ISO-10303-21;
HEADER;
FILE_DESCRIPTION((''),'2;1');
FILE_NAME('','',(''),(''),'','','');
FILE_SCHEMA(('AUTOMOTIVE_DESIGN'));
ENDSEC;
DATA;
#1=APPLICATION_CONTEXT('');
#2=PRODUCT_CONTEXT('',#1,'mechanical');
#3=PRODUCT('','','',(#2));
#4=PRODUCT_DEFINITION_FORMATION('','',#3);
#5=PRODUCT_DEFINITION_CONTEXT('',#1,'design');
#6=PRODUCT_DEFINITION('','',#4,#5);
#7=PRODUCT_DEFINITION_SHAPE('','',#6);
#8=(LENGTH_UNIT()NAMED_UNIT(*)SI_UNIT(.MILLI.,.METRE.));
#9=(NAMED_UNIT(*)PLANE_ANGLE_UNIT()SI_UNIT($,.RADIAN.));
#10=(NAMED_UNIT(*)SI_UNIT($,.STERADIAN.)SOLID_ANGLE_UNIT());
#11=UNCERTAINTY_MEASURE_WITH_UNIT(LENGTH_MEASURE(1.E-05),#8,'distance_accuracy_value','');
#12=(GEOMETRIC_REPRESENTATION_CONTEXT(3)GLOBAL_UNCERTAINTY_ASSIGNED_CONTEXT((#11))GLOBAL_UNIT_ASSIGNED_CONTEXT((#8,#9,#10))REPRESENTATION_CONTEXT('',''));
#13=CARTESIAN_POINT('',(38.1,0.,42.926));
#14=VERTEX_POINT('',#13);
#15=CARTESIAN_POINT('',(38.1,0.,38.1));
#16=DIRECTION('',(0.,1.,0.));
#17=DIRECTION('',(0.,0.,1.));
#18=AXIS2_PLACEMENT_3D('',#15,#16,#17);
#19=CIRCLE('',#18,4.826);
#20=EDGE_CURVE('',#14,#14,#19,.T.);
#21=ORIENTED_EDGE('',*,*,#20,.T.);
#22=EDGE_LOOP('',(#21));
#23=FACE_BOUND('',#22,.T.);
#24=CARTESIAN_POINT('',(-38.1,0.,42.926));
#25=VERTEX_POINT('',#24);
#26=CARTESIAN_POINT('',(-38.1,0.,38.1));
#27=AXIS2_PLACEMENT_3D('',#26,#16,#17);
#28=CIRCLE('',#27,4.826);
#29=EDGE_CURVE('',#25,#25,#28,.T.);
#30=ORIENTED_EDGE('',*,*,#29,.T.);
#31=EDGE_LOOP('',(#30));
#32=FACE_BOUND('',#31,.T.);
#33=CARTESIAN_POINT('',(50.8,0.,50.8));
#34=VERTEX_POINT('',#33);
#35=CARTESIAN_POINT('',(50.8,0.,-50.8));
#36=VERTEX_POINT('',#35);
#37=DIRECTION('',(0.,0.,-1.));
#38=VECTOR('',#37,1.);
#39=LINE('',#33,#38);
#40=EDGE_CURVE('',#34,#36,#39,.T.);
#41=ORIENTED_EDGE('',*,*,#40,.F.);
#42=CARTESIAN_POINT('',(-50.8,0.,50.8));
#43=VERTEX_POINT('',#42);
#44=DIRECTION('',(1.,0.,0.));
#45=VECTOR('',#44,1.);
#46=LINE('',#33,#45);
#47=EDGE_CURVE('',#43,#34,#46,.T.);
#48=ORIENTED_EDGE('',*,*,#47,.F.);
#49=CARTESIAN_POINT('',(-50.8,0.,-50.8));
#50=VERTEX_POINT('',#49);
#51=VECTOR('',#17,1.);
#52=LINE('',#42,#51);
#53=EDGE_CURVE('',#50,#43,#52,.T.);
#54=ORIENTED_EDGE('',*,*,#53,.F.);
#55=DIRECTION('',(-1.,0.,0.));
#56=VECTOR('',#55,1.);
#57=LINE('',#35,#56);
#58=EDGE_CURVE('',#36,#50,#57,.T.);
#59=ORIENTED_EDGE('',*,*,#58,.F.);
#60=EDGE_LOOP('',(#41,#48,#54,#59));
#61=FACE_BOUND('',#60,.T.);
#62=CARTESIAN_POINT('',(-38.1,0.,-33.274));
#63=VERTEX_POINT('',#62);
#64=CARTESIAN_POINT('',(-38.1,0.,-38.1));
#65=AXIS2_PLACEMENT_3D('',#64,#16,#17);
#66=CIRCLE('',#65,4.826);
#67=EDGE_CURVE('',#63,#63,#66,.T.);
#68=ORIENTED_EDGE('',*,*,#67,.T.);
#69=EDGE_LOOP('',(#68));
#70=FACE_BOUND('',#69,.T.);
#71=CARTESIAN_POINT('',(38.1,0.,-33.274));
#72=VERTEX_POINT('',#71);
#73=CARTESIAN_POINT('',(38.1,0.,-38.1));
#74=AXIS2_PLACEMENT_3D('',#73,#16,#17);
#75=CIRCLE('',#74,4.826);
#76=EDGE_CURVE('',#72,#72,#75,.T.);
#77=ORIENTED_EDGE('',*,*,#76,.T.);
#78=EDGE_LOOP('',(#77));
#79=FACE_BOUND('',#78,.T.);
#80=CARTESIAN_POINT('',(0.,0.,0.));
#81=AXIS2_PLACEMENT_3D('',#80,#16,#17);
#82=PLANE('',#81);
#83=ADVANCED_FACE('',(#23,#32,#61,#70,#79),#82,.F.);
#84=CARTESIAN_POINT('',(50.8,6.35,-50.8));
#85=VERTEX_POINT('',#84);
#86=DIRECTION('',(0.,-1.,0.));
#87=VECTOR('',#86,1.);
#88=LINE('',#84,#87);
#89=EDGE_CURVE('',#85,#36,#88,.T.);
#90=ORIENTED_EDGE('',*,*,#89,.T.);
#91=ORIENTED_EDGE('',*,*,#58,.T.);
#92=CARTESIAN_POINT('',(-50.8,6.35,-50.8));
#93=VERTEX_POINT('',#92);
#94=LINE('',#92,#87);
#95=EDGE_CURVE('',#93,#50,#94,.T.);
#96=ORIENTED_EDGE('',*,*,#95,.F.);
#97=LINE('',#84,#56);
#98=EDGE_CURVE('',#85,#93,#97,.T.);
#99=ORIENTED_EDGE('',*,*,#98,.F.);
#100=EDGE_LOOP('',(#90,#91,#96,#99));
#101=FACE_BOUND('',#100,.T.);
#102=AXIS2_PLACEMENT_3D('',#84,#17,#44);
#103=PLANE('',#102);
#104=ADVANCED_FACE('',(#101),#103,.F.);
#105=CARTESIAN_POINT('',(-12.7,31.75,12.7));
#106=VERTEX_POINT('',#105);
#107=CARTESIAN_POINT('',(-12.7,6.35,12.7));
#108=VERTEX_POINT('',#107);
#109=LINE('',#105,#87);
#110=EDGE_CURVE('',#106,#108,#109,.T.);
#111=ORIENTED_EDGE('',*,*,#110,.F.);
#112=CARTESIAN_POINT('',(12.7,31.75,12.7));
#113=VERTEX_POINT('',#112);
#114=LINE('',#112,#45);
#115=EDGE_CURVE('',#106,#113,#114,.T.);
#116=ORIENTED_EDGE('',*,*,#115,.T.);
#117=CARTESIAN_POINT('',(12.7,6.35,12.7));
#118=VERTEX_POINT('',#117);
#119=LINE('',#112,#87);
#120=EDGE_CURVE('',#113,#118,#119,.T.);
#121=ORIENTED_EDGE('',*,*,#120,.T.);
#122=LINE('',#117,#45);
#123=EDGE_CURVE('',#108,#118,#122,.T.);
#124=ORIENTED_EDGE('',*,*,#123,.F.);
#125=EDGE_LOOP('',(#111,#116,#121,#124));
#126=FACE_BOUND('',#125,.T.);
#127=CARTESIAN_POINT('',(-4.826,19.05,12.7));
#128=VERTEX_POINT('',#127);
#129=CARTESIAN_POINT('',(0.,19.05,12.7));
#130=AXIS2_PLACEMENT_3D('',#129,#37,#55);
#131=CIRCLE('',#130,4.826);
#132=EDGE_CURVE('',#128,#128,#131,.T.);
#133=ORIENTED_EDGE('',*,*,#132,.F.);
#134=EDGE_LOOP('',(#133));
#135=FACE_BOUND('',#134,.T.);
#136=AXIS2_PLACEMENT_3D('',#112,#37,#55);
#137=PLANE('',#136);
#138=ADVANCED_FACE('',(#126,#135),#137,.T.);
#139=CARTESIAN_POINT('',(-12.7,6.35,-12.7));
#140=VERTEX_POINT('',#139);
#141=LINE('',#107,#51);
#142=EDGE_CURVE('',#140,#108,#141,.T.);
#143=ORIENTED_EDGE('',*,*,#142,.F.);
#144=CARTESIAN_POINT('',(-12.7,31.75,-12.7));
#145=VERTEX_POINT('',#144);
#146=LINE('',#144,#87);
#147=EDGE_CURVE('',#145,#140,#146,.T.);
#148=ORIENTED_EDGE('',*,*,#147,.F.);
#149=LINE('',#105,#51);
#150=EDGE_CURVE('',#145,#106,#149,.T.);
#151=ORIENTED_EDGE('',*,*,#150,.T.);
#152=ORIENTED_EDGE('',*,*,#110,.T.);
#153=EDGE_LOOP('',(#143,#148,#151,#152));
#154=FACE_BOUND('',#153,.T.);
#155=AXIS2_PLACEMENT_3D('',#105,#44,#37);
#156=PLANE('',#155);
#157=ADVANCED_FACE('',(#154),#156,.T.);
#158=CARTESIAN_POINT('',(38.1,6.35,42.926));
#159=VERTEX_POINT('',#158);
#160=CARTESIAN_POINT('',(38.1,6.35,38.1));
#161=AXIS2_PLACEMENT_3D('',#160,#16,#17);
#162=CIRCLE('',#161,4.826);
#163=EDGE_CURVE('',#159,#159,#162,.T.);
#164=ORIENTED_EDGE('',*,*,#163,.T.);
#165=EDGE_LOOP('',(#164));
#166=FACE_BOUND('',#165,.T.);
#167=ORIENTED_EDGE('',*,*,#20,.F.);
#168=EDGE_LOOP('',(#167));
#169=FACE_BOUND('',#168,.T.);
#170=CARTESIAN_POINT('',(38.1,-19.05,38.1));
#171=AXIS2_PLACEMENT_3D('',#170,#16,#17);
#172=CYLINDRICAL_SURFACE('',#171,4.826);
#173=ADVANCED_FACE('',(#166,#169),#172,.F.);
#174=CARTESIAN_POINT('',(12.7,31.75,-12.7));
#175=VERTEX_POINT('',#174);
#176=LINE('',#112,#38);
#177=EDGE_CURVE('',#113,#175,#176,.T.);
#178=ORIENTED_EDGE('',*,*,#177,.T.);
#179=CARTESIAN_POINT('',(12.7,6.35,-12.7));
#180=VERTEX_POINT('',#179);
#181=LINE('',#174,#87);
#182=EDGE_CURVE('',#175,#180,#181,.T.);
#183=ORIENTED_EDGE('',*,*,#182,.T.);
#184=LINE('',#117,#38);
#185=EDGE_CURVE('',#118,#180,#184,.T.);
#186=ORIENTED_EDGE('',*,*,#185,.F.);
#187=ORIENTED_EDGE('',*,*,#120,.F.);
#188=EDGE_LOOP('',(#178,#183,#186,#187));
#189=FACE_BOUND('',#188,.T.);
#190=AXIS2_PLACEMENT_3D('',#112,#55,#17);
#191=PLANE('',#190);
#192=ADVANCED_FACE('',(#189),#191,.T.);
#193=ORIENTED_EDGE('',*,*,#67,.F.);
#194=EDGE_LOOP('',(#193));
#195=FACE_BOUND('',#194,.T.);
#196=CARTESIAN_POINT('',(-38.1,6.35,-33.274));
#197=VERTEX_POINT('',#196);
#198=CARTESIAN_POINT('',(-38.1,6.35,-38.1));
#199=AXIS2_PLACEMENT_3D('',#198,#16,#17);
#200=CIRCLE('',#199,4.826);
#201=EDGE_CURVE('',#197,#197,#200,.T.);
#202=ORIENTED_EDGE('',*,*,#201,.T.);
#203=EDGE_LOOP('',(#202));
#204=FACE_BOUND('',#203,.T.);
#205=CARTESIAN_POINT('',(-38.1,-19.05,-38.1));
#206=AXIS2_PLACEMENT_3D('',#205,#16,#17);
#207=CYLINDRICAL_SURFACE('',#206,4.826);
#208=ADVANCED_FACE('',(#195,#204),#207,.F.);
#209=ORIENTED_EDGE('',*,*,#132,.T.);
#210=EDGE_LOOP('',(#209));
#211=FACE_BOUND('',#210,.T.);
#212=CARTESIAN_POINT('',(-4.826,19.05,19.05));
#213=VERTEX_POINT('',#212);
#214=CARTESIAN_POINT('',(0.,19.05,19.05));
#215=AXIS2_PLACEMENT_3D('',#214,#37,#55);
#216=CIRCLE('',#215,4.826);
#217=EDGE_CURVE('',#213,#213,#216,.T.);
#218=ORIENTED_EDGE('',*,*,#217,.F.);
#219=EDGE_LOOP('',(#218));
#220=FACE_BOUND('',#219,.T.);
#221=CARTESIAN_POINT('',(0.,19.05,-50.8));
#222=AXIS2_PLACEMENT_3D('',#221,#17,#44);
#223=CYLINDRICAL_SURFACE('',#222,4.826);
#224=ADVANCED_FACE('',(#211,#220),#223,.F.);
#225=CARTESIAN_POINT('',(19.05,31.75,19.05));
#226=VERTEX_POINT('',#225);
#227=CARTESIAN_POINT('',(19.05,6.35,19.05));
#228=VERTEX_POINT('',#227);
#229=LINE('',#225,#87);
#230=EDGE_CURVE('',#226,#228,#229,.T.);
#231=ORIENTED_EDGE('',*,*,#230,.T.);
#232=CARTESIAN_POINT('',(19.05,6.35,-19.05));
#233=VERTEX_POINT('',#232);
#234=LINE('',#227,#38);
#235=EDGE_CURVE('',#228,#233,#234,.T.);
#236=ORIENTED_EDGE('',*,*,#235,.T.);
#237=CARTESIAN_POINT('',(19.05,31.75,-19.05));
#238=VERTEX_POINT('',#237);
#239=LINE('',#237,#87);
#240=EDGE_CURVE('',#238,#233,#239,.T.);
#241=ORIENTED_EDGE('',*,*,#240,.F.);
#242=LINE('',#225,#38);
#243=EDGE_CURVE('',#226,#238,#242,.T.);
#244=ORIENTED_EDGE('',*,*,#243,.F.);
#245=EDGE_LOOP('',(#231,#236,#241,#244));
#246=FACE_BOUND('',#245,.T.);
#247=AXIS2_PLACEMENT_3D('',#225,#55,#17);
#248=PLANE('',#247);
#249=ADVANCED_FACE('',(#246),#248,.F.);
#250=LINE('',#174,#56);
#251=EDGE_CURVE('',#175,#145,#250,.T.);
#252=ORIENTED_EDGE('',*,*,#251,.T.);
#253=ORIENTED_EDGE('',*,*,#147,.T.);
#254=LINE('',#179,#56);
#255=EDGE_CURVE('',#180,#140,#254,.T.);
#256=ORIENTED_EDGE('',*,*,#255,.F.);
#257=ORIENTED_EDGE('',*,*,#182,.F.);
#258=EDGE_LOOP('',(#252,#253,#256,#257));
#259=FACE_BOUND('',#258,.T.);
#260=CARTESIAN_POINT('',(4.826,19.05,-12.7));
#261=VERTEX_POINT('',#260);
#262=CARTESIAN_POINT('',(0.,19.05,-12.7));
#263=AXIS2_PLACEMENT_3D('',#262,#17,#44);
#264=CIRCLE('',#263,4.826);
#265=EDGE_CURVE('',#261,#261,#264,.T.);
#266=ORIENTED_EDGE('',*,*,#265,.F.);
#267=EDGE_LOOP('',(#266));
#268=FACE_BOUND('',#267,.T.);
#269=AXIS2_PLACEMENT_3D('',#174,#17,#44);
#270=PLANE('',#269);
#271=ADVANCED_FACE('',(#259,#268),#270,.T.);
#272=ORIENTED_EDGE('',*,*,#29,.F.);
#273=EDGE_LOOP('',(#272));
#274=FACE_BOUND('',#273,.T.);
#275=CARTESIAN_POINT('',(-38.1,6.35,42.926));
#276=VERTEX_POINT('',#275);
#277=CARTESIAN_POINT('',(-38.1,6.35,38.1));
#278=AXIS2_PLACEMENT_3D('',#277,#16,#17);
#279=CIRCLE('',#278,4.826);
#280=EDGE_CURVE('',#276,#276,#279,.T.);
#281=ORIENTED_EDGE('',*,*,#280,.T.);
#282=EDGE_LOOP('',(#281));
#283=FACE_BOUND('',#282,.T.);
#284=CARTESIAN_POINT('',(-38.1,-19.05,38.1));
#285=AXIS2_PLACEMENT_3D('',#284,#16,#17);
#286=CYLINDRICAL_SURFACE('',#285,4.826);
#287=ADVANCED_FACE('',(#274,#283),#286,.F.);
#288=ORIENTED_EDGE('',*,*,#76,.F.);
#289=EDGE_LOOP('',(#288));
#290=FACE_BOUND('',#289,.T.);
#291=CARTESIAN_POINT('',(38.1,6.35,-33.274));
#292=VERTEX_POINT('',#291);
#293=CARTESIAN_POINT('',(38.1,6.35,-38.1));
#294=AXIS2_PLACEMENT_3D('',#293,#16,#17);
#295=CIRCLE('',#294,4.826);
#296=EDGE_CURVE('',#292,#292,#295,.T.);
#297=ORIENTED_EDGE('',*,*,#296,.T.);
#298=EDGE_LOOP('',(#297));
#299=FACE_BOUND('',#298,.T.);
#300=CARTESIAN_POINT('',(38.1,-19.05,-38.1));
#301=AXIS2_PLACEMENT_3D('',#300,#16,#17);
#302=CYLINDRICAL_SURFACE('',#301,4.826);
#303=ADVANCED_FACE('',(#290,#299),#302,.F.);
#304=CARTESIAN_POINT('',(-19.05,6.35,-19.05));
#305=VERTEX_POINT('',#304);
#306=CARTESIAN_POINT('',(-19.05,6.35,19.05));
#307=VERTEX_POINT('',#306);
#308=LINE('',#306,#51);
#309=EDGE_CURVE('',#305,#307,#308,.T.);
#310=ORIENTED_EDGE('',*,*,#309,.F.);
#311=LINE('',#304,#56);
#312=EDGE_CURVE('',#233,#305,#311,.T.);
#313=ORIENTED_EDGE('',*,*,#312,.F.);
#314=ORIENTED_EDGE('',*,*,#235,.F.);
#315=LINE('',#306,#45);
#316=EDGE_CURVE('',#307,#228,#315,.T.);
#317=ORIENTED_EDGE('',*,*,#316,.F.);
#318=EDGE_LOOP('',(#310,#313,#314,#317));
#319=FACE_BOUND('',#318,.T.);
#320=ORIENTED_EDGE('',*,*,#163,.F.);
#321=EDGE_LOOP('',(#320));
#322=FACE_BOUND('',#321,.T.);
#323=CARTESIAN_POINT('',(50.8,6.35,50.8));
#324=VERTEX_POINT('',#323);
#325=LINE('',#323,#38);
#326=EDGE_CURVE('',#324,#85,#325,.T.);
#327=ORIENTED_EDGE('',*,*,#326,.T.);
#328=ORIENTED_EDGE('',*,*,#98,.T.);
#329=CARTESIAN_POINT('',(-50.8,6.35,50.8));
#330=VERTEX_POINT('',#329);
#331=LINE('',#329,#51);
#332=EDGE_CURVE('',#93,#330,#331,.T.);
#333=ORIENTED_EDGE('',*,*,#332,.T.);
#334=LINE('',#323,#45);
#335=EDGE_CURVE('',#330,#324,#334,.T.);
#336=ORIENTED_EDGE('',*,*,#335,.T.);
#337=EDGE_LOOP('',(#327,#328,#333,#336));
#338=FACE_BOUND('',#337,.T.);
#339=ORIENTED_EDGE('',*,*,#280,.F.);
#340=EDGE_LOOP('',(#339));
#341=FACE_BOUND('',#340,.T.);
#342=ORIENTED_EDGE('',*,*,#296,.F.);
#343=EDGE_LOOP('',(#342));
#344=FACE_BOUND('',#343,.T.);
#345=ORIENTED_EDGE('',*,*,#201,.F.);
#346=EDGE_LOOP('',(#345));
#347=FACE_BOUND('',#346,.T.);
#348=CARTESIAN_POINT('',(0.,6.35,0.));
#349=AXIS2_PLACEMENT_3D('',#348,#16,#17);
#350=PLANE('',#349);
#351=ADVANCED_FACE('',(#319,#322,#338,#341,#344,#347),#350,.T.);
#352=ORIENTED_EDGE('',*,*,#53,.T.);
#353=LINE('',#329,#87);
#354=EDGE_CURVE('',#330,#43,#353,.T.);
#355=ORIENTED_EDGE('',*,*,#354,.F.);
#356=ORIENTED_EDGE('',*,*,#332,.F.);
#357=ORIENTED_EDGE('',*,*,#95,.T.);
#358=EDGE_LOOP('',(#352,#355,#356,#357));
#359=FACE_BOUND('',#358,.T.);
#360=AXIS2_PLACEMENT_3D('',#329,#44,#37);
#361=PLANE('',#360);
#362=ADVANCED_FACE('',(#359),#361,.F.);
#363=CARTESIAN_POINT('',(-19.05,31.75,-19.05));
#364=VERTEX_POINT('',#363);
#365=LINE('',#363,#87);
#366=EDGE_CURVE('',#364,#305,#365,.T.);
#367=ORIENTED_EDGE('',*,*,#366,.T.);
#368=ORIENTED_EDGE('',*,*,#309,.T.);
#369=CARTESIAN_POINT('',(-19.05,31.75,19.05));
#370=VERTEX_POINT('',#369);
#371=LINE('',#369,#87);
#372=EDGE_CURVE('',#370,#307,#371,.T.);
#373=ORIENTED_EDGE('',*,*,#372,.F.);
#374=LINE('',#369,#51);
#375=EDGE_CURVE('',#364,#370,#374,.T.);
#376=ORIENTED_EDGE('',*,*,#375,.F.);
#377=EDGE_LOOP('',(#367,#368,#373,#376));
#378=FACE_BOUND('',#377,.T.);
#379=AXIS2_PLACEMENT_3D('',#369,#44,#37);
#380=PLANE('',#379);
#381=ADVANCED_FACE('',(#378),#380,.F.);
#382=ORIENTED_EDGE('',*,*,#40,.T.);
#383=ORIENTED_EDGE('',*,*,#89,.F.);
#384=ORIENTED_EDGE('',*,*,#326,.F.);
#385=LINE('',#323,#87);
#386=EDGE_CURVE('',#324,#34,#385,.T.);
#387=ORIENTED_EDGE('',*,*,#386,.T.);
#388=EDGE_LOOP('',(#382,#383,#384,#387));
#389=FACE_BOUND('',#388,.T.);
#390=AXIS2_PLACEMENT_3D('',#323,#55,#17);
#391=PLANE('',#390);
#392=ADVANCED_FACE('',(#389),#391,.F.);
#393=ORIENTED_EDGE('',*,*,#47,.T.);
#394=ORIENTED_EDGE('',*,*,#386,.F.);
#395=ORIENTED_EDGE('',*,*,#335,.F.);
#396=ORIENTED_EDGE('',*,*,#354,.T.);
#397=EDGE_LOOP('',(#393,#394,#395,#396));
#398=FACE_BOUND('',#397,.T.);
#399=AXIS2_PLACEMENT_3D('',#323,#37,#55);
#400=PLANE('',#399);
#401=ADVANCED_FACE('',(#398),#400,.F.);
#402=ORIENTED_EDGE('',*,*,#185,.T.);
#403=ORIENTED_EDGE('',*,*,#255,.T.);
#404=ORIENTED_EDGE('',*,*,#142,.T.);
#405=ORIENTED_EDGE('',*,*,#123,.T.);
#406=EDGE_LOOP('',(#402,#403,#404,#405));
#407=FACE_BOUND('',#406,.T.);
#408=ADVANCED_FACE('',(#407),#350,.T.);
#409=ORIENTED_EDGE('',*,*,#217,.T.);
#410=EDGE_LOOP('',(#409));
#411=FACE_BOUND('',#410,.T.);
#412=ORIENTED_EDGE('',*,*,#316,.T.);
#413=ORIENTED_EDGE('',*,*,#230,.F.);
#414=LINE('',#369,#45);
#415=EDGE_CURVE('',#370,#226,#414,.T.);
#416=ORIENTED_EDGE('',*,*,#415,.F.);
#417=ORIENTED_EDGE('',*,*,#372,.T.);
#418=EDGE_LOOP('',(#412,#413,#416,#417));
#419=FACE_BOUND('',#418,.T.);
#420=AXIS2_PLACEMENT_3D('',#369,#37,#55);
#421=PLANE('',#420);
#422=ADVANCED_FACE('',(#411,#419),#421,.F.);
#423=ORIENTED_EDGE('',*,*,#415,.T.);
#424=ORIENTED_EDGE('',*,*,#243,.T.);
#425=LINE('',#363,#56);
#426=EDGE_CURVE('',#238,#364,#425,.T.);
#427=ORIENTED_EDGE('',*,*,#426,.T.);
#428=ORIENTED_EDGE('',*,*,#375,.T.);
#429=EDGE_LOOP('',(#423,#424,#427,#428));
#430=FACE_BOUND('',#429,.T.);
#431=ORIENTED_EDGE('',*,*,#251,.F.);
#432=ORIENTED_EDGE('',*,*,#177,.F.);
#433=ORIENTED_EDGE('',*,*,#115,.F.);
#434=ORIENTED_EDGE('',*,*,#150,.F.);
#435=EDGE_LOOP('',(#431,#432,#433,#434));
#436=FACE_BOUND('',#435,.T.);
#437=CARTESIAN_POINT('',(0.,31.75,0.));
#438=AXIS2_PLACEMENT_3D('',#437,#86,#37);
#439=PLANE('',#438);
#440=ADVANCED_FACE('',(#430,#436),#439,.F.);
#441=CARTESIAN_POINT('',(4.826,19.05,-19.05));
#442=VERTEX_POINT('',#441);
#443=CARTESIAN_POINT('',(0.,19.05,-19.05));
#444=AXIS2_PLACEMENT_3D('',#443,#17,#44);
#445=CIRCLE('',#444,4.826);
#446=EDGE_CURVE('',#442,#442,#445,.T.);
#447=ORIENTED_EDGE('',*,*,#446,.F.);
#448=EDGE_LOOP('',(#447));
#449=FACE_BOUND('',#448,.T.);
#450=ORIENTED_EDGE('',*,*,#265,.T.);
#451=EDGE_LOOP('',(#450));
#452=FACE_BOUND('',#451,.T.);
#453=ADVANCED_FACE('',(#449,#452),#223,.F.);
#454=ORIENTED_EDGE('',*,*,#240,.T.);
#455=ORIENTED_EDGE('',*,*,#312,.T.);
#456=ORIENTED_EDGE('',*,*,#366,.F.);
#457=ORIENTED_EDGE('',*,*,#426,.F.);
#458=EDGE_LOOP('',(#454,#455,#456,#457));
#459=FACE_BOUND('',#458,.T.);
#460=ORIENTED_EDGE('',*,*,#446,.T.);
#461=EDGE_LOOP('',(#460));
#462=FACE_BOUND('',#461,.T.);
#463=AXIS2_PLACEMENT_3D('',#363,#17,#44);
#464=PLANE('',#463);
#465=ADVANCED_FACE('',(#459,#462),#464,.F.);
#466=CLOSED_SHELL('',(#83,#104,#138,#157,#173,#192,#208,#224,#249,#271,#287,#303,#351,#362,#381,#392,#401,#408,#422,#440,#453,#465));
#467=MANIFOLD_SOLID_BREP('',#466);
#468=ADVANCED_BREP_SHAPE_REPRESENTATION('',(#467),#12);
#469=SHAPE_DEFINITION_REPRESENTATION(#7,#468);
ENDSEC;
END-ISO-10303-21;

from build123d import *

# Parameters (mm, degrees)
SKETCH1_W               = 101.6
SKETCH1_H               = 101.6
BOSS_EXTRUDE1_DEPTH     = 6.35
SKETCH2_W               = 38.1
SKETCH2_H               = 38.1
SKETCH2_W_2             = 25.4
SKETCH2_H_2             = 25.4
BOSS_EXTRUDE2_DEPTH     = 25.4
SKETCH3_R               = 4.826
CUT_EXTRUDE1_DEPTH      = 32.75
CUT_EXTRUDE1_DEPTH_BACK = 70.85
SKETCH4_R               = 4.826
CUT_EXTRUDE2_DEPTH      = 25.4


with BuildPart() as part:
    # Sketch1 → Boss-Extrude1 (new body)
    with BuildSketch(Plane(origin=(0, 0, 0), x_dir=(1, 0, 0), z_dir=(0, 1, 0))):
        Rectangle(SKETCH1_W, SKETCH1_H)
    extrude(amount=BOSS_EXTRUDE1_DEPTH)

    # Sketch2 → Boss-Extrude2 (add)
    with BuildSketch(Plane(origin=(0, 6.35, 0), x_dir=(1, 0, 0), z_dir=(0, 1, 0))):
        Rectangle(SKETCH2_W, SKETCH2_H)
        Rectangle(SKETCH2_W_2, SKETCH2_H_2, mode=Mode.SUBTRACT)
    extrude(amount=BOSS_EXTRUDE2_DEPTH)

    # Sketch3 → Cut-Extrude1 (cut, two sides)
    with BuildSketch(Plane.XY.offset(19.05)) as cut_extrude1_sk:
        with Locations((0, 19.05)):
            Circle(SKETCH3_R)
    extrude(amount=CUT_EXTRUDE1_DEPTH, mode=Mode.SUBTRACT)
    extrude(cut_extrude1_sk.sketch, amount=-CUT_EXTRUDE1_DEPTH_BACK, mode=Mode.SUBTRACT)

    # Sketch4 → Cut-Extrude2 (cut)
    with BuildSketch(Plane(origin=(0, 6.35, 0), x_dir=(1, 0, 0), z_dir=(0, 1, 0))):
        with Locations((-38.1, 38.1)):
            Circle(SKETCH4_R)
        with Locations((38.1, 38.1)):
            Circle(SKETCH4_R)
        with Locations((38.1, -38.1)):
            Circle(SKETCH4_R)
        with Locations((-38.1, -38.1)):
            Circle(SKETCH4_R)
    extrude(amount=-CUT_EXTRUDE2_DEPTH, mode=Mode.SUBTRACT)


solid = part.part
